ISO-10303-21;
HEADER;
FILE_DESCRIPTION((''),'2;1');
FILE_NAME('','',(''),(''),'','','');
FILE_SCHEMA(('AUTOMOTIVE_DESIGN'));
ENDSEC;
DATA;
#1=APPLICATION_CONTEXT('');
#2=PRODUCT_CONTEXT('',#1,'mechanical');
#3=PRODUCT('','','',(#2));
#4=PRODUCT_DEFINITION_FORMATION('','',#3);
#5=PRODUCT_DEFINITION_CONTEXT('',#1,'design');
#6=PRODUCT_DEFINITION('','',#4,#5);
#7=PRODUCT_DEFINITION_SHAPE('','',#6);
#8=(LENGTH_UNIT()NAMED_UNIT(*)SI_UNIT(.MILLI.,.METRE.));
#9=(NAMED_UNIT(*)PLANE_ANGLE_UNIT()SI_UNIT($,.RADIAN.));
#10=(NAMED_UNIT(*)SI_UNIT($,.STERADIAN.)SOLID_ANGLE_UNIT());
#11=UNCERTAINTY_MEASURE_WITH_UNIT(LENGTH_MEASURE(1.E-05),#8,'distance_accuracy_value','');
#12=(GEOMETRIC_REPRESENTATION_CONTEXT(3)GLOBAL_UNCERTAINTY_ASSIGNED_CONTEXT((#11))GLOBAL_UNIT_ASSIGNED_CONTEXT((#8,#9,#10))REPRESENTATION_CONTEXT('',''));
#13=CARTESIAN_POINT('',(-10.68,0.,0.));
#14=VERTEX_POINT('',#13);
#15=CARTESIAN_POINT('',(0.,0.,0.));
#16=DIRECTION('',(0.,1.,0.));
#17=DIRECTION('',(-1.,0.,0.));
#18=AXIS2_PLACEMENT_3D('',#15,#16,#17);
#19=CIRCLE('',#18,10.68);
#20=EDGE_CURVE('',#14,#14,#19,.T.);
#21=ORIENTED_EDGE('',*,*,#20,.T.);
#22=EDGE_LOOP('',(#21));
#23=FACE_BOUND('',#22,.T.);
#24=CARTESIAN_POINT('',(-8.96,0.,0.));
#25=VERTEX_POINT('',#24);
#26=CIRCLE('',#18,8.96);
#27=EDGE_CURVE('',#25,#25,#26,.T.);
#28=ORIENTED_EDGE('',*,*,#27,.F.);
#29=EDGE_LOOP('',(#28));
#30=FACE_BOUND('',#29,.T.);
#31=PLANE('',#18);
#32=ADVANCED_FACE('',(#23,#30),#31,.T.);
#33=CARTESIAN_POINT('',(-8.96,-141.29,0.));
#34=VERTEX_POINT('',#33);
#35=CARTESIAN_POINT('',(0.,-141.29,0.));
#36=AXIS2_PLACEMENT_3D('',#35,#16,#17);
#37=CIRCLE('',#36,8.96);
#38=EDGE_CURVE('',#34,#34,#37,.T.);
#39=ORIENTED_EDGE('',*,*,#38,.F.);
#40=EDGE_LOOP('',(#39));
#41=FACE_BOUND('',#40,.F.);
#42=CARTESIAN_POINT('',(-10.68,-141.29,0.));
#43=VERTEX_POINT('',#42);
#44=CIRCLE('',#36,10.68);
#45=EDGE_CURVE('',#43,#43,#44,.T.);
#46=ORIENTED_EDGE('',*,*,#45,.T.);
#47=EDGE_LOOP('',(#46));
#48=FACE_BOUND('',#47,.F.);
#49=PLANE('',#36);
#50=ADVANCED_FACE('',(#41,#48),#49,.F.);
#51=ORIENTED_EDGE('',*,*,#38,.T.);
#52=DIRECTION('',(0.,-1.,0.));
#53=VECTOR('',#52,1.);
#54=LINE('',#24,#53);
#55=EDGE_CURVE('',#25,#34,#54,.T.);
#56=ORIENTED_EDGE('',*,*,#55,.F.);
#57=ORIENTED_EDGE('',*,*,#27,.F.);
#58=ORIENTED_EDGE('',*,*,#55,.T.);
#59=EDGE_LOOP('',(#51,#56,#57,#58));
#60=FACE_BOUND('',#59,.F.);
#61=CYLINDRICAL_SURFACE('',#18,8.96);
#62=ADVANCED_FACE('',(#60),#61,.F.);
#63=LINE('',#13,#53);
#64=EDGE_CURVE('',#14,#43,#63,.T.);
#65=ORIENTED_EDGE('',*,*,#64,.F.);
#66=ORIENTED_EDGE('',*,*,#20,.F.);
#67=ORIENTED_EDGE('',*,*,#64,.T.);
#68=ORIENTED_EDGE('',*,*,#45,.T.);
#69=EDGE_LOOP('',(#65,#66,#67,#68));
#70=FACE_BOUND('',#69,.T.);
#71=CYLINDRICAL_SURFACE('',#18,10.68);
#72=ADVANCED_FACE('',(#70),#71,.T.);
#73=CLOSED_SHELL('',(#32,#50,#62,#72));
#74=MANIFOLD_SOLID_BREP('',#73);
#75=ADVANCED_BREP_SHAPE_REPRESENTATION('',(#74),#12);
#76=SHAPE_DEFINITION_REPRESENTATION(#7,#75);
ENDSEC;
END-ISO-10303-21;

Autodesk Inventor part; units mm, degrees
ref_plane "YZ Plane" through (0, 0, 0) normal (1, 0, 0) x (0, 1, 0)
ref_plane "XZ Plane" through (0, 0, 0) normal (0, 1, 0) x (-1, 0, 0)
ref_plane "XY Plane" through (0, 0, 0) normal (0, 0, 1) x (1, 0, 0)
sketch "Boceto1" plane through (0, 0, 0) normal (0, 1, 0) x (-1, 0, 0)
  circle A0 centre (0, 0) radius 10.68
  circle A1 centre (0, 0) radius 8.96
  dimension "d0" = 21.36
  dimension "d1" = 17.92
extrude "Extrusión1" add sketch "Boceto1" against normal blind 141.29
properties part number "TUBO"
